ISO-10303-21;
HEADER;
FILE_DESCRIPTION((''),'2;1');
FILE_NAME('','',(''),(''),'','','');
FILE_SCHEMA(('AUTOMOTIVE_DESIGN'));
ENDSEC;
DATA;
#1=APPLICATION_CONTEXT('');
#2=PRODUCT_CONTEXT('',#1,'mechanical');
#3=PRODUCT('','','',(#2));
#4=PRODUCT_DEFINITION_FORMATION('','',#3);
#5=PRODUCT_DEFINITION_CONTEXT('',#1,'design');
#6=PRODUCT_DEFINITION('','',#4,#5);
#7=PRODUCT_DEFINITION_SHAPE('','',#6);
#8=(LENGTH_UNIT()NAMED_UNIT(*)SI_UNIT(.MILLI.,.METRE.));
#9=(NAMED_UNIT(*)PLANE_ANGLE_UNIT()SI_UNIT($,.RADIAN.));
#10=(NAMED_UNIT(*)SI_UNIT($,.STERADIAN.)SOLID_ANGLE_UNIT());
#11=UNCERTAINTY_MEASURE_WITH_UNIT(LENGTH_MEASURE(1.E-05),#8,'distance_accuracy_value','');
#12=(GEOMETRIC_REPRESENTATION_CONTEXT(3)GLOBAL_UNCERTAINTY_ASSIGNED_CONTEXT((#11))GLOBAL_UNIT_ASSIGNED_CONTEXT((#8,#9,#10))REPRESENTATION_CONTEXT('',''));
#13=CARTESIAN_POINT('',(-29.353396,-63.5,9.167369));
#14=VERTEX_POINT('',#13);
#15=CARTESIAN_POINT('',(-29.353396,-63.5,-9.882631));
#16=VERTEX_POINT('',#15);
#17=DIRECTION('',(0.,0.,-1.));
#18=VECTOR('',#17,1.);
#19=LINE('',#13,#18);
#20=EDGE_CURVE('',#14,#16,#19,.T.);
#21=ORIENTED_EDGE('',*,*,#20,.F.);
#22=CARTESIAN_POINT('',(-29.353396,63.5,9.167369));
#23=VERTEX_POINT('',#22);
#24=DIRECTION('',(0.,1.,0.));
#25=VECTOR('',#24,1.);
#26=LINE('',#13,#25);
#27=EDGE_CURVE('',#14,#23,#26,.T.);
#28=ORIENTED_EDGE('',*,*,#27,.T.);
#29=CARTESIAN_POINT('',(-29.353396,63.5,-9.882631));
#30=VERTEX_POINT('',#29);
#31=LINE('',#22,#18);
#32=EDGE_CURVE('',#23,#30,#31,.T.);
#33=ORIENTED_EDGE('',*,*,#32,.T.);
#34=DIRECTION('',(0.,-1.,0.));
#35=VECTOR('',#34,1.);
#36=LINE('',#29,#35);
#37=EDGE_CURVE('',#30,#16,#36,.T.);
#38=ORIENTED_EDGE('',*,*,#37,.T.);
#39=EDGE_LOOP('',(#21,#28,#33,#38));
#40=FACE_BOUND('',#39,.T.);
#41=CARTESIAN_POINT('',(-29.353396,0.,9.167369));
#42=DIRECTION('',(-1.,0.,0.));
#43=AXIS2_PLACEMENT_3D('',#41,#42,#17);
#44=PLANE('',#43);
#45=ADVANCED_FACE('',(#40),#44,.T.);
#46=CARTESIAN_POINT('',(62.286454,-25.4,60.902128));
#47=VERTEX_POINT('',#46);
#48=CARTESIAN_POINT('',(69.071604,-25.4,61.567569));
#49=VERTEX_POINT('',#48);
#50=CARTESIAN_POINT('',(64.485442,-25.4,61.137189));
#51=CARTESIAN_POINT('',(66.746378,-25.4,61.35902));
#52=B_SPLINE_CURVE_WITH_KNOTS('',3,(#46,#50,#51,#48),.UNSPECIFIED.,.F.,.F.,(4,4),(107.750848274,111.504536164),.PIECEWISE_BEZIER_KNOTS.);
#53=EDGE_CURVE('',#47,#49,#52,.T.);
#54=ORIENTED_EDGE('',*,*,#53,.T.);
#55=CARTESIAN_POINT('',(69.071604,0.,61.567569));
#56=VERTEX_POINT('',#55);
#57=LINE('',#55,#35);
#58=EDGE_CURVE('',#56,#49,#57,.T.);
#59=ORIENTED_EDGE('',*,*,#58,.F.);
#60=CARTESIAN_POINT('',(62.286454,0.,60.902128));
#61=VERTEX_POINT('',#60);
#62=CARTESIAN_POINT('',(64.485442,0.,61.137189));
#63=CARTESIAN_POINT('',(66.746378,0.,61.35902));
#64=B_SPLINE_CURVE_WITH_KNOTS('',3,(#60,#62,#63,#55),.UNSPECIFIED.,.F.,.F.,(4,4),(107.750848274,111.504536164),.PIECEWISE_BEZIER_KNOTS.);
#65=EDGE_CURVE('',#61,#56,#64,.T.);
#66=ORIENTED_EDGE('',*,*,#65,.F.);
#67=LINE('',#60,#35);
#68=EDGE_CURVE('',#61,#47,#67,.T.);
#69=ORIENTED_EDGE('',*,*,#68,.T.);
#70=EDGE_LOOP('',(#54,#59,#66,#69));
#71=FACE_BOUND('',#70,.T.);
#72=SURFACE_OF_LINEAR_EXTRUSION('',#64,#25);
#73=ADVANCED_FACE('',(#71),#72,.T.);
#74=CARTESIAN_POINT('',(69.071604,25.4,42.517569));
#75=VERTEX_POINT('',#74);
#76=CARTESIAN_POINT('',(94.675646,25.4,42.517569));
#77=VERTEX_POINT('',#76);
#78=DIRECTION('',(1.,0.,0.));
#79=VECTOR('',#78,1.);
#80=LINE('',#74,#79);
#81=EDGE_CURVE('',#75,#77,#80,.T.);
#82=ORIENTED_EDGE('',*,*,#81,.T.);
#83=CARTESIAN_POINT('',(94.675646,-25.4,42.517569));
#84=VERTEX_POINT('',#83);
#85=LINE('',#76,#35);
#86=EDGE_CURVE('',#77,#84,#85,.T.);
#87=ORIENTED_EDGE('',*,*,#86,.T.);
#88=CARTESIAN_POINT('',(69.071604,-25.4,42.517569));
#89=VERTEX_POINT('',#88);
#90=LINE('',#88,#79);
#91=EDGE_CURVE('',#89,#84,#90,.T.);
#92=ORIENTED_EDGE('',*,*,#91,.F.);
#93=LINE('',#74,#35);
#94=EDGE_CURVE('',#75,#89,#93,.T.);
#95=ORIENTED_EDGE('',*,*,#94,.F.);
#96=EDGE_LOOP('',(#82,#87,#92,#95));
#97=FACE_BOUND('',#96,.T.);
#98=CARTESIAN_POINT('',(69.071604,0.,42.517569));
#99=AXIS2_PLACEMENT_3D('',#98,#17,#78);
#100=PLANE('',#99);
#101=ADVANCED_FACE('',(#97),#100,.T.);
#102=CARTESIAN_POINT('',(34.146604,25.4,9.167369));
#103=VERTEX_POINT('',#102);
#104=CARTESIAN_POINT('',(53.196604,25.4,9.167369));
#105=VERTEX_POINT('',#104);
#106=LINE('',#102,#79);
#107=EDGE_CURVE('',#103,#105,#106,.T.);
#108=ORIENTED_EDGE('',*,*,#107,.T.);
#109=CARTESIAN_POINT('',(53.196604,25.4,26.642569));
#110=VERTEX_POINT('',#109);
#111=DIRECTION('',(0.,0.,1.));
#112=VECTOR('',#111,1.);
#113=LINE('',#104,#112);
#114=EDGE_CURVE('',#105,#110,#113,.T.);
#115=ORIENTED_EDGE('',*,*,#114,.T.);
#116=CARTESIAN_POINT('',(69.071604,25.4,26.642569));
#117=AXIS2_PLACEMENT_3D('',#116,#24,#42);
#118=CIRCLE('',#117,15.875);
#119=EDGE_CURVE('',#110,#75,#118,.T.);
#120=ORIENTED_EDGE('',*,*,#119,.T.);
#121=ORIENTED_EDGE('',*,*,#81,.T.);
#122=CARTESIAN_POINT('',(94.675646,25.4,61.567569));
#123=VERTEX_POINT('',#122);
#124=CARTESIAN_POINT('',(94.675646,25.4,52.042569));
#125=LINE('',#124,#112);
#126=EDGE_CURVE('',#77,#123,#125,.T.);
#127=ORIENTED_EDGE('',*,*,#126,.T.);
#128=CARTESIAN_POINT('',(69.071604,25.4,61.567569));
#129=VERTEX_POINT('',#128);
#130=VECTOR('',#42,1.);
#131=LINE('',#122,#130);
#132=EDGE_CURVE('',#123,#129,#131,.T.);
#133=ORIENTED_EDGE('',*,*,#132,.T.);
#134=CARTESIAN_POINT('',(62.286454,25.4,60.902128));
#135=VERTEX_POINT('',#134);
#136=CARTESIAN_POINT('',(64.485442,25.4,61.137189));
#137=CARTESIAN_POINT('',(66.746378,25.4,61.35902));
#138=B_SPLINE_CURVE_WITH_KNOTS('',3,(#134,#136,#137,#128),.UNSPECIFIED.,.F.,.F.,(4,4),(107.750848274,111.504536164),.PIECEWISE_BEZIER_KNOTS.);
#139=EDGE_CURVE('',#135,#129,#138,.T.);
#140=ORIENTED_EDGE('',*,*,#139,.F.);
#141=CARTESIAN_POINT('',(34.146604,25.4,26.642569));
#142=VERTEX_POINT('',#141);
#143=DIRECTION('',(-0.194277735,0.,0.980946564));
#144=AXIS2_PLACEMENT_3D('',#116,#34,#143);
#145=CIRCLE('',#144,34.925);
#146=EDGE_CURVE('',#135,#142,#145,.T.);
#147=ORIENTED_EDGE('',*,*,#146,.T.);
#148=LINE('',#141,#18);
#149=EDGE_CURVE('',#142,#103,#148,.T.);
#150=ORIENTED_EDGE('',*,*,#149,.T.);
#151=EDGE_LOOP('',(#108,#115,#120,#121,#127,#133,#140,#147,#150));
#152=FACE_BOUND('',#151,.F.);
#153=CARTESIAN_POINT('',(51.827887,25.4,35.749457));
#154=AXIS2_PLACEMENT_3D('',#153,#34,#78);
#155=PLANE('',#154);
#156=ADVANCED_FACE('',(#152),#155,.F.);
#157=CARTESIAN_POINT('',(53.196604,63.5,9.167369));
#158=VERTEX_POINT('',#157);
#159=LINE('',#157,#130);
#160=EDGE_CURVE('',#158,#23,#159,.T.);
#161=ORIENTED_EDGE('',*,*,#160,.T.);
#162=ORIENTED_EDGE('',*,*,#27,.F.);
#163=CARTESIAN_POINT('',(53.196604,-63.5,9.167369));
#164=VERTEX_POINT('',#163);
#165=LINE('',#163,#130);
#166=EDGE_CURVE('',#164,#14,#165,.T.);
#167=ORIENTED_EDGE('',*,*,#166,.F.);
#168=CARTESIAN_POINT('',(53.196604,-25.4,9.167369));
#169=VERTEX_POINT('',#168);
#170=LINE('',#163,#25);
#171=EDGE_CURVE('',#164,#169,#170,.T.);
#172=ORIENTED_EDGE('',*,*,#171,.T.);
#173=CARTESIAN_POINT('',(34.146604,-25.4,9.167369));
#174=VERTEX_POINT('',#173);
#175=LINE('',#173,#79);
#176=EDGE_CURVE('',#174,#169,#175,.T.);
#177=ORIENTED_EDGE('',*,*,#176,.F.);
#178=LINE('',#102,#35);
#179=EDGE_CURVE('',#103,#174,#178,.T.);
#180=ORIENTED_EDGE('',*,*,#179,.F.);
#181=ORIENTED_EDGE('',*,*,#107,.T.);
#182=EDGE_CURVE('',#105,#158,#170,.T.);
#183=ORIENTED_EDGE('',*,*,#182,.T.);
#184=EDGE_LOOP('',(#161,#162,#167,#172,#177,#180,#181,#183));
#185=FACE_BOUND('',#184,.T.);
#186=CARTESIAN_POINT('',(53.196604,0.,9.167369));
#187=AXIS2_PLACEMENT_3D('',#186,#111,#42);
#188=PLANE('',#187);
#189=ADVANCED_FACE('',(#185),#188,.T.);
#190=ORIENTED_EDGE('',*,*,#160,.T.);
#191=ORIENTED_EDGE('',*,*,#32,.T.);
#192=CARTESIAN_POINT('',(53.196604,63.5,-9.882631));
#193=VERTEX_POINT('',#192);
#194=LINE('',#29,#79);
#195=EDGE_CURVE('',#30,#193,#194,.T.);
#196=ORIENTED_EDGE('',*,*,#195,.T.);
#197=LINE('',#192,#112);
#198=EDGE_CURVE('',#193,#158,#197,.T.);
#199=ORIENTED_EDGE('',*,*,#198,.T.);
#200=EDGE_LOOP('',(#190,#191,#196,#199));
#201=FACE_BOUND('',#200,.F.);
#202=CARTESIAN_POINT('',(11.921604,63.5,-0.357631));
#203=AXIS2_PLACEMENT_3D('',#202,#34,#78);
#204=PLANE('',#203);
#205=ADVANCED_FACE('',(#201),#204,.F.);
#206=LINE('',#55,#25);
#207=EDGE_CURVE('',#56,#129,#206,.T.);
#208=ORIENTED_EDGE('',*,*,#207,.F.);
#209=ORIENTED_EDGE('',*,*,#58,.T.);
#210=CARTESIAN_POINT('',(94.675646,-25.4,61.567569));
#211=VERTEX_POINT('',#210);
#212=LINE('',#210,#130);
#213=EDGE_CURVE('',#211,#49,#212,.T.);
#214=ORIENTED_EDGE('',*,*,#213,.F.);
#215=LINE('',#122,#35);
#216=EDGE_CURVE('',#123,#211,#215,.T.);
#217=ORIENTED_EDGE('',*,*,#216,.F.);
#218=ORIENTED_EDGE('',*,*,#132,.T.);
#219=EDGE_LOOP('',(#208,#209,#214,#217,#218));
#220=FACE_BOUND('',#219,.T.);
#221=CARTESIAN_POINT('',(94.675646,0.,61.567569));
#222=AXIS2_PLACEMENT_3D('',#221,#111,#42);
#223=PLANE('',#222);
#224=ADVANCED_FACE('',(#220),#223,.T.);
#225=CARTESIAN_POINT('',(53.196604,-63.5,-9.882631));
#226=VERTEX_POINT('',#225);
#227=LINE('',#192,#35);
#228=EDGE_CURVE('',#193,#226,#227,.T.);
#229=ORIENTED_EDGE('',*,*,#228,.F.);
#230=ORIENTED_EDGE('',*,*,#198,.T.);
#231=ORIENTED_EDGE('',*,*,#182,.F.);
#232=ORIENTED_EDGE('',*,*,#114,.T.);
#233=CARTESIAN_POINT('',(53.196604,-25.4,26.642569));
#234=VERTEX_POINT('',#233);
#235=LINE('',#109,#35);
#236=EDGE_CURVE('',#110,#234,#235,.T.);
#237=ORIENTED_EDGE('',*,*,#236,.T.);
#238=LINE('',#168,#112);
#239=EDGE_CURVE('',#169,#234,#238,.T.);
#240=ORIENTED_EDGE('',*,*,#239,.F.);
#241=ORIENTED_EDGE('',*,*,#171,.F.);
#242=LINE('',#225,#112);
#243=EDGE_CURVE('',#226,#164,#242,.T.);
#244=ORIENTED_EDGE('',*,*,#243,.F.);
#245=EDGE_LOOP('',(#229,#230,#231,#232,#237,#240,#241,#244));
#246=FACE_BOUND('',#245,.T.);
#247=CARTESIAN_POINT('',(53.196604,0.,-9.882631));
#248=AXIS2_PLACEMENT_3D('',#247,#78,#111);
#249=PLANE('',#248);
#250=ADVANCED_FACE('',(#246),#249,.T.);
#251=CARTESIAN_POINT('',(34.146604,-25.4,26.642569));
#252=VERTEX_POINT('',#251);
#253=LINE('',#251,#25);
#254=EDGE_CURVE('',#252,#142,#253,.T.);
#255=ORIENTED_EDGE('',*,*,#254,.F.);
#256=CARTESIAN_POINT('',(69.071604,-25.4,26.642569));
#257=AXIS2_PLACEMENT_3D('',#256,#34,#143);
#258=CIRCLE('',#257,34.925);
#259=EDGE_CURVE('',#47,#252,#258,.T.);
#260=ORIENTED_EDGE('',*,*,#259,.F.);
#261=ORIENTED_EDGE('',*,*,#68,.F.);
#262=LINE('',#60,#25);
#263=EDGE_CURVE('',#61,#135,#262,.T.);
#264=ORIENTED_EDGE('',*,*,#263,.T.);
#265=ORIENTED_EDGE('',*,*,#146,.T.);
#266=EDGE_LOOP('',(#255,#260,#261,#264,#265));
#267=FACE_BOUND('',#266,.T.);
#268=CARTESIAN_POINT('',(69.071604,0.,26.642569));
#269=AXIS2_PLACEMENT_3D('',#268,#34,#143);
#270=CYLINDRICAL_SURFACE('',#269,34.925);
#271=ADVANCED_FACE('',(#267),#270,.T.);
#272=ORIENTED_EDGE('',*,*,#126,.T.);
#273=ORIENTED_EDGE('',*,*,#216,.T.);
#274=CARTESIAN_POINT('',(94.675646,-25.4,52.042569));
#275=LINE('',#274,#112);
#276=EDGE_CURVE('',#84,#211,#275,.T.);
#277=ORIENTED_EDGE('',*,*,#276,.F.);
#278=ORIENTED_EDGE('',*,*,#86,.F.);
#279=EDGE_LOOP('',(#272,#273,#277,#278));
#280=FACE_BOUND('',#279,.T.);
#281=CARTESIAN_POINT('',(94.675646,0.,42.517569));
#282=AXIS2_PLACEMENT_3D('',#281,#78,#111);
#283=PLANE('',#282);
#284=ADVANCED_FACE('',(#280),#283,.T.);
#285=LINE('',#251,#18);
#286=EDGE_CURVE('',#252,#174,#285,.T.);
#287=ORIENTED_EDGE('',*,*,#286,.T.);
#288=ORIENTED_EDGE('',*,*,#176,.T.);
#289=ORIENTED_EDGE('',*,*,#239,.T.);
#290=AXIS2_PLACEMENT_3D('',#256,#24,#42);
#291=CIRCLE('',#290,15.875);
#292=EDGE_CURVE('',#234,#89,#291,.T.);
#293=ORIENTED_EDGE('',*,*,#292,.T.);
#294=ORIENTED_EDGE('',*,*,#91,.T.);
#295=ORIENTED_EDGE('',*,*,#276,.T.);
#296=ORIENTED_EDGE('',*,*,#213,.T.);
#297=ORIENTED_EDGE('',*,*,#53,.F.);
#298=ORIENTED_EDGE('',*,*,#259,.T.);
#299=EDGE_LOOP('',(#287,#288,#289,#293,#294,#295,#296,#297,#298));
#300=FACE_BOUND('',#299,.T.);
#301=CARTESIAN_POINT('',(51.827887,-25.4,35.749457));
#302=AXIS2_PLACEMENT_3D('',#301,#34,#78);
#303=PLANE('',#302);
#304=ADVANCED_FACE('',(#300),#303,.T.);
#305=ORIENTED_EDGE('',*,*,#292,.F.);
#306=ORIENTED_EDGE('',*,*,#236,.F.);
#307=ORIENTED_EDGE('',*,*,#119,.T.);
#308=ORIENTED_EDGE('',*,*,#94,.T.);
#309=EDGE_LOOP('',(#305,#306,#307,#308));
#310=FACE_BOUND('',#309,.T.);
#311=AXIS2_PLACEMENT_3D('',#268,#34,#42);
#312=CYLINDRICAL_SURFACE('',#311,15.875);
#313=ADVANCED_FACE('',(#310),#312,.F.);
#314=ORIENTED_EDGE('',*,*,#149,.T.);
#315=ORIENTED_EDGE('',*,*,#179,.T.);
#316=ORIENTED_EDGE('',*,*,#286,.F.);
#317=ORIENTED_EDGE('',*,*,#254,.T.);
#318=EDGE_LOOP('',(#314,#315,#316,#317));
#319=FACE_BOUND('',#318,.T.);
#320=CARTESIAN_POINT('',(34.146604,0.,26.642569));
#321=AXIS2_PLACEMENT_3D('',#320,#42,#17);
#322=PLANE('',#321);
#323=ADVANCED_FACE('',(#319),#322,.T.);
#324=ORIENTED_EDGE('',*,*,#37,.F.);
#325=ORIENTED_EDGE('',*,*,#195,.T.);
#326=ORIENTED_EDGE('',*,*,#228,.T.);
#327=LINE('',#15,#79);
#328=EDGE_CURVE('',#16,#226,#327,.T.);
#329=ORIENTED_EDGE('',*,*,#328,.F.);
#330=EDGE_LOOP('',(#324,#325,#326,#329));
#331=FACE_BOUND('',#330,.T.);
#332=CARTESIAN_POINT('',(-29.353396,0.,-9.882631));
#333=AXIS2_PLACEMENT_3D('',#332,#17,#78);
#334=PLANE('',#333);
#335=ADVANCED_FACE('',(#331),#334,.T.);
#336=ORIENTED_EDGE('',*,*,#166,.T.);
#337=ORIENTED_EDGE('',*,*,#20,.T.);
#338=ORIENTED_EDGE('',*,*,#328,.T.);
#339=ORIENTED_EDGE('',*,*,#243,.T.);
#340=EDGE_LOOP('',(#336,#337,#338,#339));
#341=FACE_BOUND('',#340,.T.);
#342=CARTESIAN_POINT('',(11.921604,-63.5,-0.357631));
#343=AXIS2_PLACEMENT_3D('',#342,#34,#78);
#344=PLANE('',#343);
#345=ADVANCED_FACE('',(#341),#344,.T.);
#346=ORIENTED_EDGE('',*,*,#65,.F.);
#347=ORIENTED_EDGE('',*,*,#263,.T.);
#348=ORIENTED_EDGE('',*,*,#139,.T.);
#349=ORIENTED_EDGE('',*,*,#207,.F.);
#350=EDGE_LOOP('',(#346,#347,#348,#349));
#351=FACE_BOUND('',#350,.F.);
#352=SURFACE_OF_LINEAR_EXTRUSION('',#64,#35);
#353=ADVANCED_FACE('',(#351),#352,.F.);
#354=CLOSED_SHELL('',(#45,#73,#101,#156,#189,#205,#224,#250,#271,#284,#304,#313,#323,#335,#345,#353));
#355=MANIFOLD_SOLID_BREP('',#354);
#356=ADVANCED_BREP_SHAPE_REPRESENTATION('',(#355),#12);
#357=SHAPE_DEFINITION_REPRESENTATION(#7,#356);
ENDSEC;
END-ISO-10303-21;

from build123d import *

# Parameters (mm, degrees)
F1_DEPTH = 63.5
F0_W     = 22.4290422591
F0_H     = 19.05
F2_DEPTH = 25.4


with BuildPart() as f1:
    # F0 (on Front) → F1 (new body, symmetric)
    with BuildSketch(Plane.XZ):
        Polygon((34.1466036677, 9.1673688769), (-29.3533963323, 9.1673688769), (-29.3533963323, -9.8826311231), (53.1966036677, -9.8826311231), (53.1966036677, 9.1673688769), align=None)
    extrude(amount=F1_DEPTH, both=True)

    # F0 (on Front) → F2 (join, symmetric)
    with BuildSketch(Plane.XZ):
        with BuildLine():
            Line((34.1466036677, 26.6425688769), (34.1466036677, 9.1673688769))
            Line((34.1466036677, 9.1673688769), (53.1966036677, 9.1673688769))
            Line((53.1966036677, 9.1673688769), (53.1966036677, 26.6425688769))
            ThreePointArc((53.1966036677, 26.6425688769), (57.8462835164, 37.8678890283), (69.0716036677, 42.5175688769))
            Line((69.0716036677, 42.5175688769), (72.2466036677, 42.5175688769))
            Line((72.2466036677, 42.5175688769), (72.2466036677, 61.5675688769))
            Line((72.2466036677, 61.5675688769), (69.0716036677, 61.5675688769))
            add(Edge.make_bspline(
                [(62.2864537846, 60.9021276316), (64.4854418913, 61.1371888729), (66.7463777073, 61.3590197179), (69.0716036677, 61.5675688769)],
                knots=[107.750848274, 107.750848274, 107.750848274, 107.750848274, 111.5045361635, 111.5045361635, 111.5045361635, 111.5045361635], degree=3))
            ThreePointArc((62.2864537846, 60.9021276316), (42.0833934208, 48.8099352669), (34.1466036677, 26.6425688769))
        make_face()
        with Locations((83.4611247973, 52.0425688769)):
            Rectangle(F0_W, F0_H)
    extrude(amount=F2_DEPTH, both=True)


solid = f1.part
